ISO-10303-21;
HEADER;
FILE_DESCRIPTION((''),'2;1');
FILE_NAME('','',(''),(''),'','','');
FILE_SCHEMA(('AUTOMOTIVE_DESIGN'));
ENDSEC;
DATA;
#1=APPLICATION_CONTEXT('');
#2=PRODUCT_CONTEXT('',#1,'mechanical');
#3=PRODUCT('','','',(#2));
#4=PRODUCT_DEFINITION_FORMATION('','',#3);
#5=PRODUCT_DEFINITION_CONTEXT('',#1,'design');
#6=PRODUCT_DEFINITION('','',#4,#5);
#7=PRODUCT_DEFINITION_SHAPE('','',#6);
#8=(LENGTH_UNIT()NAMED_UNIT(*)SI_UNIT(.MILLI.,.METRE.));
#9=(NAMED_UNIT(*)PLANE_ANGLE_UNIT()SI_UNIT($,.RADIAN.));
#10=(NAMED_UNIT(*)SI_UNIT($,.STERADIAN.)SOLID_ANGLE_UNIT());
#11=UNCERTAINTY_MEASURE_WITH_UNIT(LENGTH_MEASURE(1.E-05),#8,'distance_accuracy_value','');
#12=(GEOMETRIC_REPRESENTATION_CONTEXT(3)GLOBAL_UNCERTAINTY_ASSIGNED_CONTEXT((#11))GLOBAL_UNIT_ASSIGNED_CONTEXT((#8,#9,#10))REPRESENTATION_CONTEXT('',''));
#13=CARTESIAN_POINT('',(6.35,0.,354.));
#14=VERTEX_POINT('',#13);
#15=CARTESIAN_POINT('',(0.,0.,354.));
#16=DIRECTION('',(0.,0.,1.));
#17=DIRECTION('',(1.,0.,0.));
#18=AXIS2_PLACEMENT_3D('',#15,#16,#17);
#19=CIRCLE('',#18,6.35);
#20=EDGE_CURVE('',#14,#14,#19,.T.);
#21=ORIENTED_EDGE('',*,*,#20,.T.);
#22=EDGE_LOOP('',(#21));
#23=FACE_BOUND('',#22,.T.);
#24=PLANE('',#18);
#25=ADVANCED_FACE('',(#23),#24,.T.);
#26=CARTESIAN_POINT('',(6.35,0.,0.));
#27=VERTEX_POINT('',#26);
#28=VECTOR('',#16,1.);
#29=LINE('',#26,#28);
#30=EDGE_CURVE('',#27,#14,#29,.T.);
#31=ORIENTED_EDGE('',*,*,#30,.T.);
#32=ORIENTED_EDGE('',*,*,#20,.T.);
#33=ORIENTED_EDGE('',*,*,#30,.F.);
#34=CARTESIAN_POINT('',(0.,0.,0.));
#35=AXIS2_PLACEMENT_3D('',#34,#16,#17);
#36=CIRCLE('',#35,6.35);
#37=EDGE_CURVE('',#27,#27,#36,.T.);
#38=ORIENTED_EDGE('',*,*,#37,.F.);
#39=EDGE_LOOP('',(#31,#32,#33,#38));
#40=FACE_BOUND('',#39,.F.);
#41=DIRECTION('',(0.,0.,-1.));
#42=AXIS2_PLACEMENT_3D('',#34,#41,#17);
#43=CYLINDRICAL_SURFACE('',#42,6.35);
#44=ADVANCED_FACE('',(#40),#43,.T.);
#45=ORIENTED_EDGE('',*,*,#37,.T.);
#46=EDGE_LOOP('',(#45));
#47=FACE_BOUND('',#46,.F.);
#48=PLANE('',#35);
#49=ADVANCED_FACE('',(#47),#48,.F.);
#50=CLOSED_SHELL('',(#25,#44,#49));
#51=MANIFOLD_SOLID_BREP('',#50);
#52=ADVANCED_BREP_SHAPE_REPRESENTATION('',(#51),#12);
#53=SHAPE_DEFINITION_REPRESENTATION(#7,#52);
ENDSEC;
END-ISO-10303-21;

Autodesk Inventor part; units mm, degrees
ref_plane "YZ Plane" through (0, 0, 0) normal (1, 0, 0) x (0, 1, 0)
ref_plane "XZ Plane" through (0, 0, 0) normal (0, 1, 0) x (-1, 0, 0)
ref_plane "XY Plane" through (0, 0, 0) normal (0, 0, 1) x (1, 0, 0)
sketch "Sketch1" plane through (0, 0, 0) normal (0, 0, 1) x (1, 0, 0)
  circle A0 centre (0, 0) radius 6.35
  dimension "d0" = 12.7
extrude "Extrusion1" add sketch "Sketch1" along normal blind 354
properties part number "shaft"
